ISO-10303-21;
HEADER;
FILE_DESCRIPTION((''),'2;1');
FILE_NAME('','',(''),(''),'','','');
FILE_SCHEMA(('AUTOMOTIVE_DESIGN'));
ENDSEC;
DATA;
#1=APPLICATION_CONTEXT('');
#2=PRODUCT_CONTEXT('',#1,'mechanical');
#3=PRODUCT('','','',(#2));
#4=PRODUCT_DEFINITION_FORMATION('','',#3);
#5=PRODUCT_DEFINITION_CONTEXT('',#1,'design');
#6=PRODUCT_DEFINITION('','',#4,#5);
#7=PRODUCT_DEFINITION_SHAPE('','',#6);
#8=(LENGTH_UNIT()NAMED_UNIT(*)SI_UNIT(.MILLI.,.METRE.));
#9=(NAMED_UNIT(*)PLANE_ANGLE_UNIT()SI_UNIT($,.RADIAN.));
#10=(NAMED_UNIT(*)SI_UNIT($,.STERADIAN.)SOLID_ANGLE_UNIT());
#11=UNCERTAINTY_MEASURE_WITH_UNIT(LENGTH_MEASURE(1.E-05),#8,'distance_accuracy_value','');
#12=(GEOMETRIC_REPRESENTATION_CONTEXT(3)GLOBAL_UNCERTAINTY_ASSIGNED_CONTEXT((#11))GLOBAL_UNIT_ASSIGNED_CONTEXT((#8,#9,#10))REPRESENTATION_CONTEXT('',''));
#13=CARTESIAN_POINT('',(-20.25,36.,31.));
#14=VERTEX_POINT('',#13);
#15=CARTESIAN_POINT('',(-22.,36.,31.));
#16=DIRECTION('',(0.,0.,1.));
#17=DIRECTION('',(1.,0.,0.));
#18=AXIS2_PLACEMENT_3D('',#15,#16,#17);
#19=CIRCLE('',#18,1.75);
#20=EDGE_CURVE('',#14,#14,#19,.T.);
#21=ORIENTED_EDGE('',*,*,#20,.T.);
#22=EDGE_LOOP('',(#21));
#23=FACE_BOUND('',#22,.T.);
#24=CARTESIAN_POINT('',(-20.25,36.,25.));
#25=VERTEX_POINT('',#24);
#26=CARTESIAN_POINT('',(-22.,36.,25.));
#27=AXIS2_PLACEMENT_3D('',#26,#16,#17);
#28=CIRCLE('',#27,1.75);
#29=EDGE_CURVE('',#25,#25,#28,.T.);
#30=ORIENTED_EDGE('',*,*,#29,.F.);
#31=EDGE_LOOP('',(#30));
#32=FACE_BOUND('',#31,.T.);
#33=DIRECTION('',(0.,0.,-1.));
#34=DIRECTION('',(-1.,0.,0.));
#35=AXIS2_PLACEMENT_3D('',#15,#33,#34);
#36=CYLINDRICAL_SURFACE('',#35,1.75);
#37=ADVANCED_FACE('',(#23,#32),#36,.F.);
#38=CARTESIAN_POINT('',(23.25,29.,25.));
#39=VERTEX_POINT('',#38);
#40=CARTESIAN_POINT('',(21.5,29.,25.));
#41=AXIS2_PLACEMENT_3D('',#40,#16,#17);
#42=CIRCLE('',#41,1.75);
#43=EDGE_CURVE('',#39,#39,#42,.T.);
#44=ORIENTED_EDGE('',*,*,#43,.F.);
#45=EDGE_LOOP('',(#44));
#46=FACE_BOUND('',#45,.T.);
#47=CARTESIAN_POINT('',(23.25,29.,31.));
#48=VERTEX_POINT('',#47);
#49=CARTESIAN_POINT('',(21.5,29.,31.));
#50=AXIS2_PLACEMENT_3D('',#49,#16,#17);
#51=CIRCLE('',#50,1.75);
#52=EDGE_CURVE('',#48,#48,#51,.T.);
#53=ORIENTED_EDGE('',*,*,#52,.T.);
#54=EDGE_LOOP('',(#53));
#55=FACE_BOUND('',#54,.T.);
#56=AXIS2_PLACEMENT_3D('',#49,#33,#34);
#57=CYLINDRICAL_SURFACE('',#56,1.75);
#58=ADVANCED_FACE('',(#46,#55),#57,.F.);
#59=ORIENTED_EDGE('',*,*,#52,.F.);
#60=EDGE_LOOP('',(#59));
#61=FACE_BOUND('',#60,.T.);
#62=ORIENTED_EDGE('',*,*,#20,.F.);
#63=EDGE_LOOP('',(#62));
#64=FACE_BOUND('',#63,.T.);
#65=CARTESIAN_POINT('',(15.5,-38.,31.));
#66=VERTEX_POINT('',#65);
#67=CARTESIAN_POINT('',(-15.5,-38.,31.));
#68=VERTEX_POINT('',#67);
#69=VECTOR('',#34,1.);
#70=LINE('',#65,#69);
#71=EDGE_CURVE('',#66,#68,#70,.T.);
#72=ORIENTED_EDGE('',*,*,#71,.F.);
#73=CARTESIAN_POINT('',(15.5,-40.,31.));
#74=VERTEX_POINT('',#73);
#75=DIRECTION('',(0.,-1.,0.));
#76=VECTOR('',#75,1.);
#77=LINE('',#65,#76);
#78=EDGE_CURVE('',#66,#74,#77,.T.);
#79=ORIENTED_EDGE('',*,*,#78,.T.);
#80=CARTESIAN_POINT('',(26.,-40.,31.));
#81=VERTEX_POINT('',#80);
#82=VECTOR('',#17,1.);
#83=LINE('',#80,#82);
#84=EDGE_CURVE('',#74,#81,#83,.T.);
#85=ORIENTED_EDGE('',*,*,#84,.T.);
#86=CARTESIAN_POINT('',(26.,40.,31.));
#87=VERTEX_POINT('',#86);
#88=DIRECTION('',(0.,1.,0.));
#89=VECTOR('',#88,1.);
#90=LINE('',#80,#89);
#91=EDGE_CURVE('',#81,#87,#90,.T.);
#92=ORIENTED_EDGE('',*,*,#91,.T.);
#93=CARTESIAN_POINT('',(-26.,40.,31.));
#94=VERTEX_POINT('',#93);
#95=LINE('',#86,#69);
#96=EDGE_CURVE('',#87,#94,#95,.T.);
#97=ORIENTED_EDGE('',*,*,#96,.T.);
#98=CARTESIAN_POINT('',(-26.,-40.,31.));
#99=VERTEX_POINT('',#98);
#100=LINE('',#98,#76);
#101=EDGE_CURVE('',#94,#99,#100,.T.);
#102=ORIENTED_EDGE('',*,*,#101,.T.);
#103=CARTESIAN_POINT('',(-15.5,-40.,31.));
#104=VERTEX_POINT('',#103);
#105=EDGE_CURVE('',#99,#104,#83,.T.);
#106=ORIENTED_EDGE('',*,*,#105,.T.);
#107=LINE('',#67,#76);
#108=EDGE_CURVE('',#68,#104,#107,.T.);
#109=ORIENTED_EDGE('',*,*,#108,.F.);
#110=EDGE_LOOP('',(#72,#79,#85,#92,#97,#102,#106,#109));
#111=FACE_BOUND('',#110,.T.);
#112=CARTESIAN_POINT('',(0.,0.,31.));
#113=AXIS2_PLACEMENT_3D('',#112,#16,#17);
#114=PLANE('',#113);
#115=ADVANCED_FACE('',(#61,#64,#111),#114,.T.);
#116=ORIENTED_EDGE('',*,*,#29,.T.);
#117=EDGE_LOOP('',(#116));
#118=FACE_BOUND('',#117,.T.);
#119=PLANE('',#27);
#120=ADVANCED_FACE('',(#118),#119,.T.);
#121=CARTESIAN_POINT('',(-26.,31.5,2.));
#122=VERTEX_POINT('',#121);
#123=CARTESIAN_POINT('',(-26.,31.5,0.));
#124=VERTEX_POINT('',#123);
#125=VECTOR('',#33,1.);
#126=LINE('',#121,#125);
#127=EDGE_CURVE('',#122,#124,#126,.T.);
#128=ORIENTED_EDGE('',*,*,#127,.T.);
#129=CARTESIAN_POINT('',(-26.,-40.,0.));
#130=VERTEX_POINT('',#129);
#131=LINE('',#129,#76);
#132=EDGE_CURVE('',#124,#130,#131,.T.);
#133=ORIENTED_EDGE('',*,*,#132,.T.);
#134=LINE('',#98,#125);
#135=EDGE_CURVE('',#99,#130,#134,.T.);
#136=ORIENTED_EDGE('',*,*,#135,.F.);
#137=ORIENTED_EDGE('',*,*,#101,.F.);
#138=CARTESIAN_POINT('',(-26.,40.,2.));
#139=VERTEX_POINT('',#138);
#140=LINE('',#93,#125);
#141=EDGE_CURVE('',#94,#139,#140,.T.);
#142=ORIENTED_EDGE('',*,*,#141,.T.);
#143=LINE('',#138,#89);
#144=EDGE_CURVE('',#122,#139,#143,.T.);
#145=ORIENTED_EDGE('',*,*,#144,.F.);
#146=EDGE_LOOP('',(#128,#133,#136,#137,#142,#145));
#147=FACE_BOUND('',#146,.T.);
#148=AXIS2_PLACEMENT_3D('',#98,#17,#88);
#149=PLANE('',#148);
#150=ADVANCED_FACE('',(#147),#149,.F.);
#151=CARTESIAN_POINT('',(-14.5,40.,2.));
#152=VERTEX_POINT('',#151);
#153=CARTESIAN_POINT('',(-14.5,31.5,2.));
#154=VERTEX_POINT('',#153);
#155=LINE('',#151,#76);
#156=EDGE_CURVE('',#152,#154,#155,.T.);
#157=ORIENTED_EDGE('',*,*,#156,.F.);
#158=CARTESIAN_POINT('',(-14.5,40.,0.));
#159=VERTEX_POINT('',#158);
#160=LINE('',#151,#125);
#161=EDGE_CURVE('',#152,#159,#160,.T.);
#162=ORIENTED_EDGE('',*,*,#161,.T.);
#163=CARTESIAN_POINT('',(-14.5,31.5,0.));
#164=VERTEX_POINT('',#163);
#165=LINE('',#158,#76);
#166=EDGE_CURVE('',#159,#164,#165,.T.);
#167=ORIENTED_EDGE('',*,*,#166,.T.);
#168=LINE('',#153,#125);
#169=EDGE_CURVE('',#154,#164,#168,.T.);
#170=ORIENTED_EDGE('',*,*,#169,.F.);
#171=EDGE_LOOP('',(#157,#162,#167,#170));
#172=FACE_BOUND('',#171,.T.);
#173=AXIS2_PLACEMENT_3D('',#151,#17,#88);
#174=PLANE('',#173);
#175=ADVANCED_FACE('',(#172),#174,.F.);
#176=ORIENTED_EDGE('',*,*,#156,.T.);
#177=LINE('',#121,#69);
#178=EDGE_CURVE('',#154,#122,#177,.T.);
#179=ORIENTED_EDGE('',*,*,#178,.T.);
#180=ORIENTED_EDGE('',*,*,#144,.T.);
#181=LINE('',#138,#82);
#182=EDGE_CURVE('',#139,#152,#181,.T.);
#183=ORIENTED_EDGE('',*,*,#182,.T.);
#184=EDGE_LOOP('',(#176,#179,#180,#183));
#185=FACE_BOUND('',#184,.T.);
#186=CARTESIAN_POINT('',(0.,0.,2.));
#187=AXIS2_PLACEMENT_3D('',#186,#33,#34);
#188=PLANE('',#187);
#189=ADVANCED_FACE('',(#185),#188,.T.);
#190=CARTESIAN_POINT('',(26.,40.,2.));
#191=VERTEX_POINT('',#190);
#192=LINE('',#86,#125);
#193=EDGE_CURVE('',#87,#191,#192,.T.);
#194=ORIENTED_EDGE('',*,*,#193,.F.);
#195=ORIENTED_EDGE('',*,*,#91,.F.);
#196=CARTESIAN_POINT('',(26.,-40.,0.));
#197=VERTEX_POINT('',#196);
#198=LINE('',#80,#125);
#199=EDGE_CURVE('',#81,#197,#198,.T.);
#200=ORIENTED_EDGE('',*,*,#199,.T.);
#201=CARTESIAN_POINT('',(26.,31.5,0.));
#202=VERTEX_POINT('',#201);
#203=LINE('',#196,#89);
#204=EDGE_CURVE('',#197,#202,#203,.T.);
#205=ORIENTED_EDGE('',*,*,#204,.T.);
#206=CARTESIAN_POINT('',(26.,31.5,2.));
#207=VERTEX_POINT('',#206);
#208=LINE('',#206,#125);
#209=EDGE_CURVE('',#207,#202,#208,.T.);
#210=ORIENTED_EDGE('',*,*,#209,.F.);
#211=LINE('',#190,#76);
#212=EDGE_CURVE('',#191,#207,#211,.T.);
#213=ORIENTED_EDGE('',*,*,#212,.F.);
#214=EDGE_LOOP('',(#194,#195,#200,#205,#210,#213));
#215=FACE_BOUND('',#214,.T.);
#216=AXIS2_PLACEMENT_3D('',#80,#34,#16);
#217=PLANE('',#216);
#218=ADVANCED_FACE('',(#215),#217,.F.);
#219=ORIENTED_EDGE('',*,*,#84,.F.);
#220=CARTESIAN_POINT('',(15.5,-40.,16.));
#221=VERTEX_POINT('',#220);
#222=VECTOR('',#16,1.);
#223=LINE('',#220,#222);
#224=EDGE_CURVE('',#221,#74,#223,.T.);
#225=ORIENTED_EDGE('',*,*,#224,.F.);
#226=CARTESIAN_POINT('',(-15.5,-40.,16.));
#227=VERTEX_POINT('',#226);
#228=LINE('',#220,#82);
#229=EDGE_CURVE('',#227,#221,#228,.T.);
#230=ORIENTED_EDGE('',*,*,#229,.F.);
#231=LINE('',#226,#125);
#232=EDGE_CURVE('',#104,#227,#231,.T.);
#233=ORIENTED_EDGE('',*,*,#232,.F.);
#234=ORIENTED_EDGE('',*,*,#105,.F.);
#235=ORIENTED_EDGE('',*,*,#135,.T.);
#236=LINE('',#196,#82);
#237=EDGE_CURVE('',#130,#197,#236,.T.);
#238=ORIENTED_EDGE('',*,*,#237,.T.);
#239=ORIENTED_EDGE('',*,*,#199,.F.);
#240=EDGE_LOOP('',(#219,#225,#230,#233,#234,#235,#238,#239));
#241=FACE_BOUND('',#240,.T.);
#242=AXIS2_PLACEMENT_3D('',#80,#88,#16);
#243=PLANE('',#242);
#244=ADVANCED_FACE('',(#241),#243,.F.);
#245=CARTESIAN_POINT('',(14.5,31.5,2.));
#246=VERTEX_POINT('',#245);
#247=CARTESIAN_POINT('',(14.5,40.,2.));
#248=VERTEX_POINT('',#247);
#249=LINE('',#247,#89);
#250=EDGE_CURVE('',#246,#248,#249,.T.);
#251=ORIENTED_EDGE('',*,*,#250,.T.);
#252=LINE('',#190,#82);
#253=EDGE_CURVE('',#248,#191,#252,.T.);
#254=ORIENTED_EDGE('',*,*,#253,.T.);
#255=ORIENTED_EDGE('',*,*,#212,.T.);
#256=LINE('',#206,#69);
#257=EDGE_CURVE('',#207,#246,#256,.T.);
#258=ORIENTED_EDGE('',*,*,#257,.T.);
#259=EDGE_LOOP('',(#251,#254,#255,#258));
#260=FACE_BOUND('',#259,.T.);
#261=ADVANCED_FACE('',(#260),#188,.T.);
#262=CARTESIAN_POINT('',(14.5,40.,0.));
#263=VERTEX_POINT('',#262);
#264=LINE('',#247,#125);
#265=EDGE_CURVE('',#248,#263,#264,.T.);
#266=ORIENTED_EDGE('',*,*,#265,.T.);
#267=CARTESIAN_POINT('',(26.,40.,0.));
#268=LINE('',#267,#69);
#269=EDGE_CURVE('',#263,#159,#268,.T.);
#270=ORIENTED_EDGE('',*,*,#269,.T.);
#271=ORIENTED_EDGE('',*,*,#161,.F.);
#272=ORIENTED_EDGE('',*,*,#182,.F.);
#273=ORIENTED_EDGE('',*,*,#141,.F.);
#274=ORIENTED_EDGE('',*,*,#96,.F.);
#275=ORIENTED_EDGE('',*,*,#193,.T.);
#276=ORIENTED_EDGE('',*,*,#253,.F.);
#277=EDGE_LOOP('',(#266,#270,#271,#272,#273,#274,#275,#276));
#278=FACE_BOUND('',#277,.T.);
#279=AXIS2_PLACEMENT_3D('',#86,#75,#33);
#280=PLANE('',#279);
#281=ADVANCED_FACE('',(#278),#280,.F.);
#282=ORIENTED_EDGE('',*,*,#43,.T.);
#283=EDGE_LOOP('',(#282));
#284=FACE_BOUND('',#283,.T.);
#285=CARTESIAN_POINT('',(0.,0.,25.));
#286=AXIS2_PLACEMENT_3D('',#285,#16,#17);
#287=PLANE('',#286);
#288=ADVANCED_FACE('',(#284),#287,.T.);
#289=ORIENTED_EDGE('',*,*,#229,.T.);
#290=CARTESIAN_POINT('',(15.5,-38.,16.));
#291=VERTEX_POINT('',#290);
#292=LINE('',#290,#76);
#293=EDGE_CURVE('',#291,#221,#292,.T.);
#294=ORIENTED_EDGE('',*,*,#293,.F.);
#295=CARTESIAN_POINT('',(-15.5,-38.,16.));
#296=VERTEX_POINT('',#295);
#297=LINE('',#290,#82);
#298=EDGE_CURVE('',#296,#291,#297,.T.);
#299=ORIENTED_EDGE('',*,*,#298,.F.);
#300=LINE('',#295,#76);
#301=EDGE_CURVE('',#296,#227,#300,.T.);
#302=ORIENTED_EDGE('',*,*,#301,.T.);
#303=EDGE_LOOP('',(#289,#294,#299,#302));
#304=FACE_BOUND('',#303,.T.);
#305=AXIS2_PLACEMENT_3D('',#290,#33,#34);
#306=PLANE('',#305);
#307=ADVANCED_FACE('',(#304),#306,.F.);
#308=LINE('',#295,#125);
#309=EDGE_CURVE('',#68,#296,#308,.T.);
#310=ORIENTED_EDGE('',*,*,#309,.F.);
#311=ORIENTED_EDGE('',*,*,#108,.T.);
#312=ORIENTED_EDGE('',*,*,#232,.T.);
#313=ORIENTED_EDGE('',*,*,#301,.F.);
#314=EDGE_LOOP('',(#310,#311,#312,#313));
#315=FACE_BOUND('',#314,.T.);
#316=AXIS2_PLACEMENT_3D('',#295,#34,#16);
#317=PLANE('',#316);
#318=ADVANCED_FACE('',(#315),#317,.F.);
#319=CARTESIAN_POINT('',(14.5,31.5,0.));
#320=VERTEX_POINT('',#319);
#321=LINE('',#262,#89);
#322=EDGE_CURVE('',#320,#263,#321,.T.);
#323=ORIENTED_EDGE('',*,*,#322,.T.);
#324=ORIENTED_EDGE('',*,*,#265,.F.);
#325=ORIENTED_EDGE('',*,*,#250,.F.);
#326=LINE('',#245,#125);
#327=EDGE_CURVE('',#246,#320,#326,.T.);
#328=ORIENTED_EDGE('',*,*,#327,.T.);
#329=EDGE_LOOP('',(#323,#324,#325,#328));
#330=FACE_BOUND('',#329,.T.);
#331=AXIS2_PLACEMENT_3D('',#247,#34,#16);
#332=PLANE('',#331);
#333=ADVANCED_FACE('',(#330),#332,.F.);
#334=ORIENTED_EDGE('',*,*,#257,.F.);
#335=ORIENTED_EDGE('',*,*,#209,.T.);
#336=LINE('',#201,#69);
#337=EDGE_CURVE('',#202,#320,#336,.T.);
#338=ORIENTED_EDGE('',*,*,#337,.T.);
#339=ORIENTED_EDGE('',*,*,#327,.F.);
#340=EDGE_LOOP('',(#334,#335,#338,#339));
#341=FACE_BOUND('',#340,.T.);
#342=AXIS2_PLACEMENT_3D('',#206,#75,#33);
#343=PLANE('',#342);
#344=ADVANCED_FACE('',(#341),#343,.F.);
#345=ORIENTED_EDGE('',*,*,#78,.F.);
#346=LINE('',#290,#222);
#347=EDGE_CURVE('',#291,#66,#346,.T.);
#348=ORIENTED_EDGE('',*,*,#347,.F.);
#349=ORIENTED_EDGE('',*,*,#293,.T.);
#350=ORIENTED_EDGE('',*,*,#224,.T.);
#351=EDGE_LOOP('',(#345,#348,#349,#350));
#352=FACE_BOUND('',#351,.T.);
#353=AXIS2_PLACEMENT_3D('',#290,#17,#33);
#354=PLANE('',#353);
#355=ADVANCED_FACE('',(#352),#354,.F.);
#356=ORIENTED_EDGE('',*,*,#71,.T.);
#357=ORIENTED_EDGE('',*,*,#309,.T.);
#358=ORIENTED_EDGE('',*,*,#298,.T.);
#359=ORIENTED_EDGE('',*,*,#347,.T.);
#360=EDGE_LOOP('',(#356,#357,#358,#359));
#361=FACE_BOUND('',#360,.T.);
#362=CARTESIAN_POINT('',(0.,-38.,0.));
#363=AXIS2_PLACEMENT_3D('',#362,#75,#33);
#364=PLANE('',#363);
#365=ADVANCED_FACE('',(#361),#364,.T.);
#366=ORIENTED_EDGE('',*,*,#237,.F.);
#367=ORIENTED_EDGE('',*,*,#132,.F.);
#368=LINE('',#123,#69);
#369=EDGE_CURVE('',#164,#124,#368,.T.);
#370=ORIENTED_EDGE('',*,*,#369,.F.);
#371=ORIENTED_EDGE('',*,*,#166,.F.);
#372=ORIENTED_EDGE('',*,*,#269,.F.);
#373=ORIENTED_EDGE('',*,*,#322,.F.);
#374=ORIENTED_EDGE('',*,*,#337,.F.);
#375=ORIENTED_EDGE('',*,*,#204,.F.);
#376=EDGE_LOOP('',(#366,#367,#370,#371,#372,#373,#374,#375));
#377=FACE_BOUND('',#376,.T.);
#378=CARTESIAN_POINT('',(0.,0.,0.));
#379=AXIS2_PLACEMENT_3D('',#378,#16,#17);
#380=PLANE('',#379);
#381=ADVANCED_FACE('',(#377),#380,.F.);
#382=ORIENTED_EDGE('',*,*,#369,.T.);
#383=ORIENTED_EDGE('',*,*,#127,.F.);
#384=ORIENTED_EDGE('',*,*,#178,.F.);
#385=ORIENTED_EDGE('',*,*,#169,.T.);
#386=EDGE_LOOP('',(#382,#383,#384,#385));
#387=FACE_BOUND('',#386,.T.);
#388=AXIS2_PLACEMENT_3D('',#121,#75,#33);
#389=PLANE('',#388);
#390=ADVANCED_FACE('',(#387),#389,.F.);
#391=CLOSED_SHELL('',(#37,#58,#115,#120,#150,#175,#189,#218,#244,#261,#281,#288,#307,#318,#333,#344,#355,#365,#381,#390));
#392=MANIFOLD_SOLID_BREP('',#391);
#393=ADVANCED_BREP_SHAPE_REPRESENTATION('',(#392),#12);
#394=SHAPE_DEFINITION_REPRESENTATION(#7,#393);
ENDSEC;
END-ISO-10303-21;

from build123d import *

# Parameters (mm, degrees)
ESQUISSE1_W             = 52
ESQUISSE1_H             = 80
ESQUISSE1_R             = 1.75
BOSS_EXTRU_1_DEPTH      = 31
ESQUISSE3_W             = 31
ESQUISSE3_H             = 15
ENL_V_MAT_EXTRU_3_DEPTH = 2
ESQUISSE1_2_R           = 1.75
BOSS_EXTRU_3_DEPTH      = 25
ESQUISSE2_W             = 11.5
ESQUISSE2_H             = 8.5
ENL_V_MAT_EXTRU_1_DEPTH = 2


with BuildPart() as part:
    # Esquisse1 → Boss.-Extru.1 (new body)
    with BuildSketch(Plane.XY):
        Rectangle(ESQUISSE1_W, ESQUISSE1_H)
        with Locations((21.5, 29)):
            Circle(ESQUISSE1_R, mode=Mode.SUBTRACT)
        with Locations((-22, 36)):
            Circle(ESQUISSE1_R, mode=Mode.SUBTRACT)
    extrude(amount=BOSS_EXTRU_1_DEPTH)

    # Esquisse3 → Enlèv. mat.-Extru.3 (cut)
    with BuildSketch(Plane.XZ.offset(40)):
        with Locations((0, 23.5)):
            Rectangle(ESQUISSE3_W, ESQUISSE3_H)
    extrude(amount=-ENL_V_MAT_EXTRU_3_DEPTH, mode=Mode.SUBTRACT)

    # Esquisse1<2> → Boss.-Extru.3 (add)
    with BuildSketch(Plane.XY):
        with Locations((21.5, 29)):
            Circle(ESQUISSE1_2_R)
        with Locations((-22, 36)):
            Circle(ESQUISSE1_2_R)
    extrude(amount=BOSS_EXTRU_3_DEPTH)

    # Esquisse2 → Enlèv. mat.-Extru.1 (cut)
    with BuildSketch(Plane(origin=(0, 0, 0), x_dir=(-1, 0, 0), z_dir=(0, 0, -1))):
        with Locations((-20.25, 35.75)):
            Rectangle(ESQUISSE2_W, ESQUISSE2_H)
        with Locations((20.25, 35.75)):
            Rectangle(ESQUISSE2_W, ESQUISSE2_H)
    extrude(amount=-ENL_V_MAT_EXTRU_1_DEPTH, mode=Mode.SUBTRACT)


solid = part.part
